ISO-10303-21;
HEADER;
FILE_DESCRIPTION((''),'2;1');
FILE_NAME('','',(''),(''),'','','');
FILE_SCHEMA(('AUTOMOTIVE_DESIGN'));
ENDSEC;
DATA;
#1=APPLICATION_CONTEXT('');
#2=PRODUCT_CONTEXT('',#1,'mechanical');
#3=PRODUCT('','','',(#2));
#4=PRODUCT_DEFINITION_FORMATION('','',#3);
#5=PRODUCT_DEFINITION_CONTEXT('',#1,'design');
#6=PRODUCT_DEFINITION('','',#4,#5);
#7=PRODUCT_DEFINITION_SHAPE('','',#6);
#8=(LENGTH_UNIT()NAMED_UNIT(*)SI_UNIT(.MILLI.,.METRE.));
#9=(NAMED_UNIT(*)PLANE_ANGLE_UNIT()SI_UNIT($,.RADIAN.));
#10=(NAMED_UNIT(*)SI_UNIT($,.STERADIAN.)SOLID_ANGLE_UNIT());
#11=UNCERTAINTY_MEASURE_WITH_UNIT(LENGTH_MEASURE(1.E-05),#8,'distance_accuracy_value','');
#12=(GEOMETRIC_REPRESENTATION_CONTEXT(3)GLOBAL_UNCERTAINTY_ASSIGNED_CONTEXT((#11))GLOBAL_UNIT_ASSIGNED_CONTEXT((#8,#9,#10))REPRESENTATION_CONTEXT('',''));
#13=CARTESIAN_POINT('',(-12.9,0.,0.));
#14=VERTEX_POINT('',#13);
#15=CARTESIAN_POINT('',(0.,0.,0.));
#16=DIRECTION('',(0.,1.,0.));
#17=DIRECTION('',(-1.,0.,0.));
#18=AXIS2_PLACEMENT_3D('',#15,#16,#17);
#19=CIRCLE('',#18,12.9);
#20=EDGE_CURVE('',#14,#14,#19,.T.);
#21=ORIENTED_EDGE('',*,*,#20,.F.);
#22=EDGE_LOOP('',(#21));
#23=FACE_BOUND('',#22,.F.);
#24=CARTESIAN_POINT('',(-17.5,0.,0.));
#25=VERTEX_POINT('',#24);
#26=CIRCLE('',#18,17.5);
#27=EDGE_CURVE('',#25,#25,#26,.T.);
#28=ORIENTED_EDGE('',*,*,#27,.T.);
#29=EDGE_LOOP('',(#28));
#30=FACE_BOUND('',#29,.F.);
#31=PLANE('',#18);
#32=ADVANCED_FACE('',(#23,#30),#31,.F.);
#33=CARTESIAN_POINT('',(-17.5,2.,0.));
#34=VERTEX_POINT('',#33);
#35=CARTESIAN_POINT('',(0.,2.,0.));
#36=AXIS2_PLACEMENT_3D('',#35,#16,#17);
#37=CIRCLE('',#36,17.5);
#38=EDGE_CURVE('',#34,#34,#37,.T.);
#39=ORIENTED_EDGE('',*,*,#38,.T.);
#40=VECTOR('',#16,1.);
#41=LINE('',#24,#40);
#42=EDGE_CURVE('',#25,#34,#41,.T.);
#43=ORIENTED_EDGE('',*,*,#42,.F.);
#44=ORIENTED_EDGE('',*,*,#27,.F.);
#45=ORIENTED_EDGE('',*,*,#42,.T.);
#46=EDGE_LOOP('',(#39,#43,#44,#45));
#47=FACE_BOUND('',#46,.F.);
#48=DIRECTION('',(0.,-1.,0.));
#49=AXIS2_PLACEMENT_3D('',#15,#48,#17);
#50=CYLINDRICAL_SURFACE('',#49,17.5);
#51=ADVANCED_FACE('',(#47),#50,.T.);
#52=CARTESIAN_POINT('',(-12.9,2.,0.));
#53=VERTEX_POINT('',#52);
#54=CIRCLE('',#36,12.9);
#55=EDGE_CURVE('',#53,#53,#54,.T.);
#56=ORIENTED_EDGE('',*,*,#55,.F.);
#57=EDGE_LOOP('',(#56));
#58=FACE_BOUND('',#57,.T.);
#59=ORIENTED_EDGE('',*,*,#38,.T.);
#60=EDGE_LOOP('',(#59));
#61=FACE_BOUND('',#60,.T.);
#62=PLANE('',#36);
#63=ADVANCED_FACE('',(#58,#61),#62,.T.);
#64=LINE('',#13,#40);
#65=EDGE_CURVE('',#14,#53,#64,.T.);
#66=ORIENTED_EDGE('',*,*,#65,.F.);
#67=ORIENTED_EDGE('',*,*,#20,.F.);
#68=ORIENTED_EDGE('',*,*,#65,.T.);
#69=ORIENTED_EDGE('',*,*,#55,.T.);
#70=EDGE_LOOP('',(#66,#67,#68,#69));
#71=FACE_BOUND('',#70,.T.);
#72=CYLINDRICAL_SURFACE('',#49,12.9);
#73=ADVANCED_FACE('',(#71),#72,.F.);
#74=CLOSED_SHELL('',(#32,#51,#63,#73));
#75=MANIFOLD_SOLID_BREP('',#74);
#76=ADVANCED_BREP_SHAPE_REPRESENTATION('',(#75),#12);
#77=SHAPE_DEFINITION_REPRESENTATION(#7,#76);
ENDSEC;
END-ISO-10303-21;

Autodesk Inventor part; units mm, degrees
ref_plane "YZ Plane" through (0, 0, 0) normal (1, 0, 0) x (0, 1, 0)
ref_plane "XZ Plane" through (0, 0, 0) normal (0, 1, 0) x (-1, 0, 0)
ref_plane "XY Plane" through (0, 0, 0) normal (0, 0, 1) x (1, 0, 0)
sketch "Skizze1" plane through (0, 0, 0) normal (0, 1, 0) x (-1, 0, 0)
  circle A0 centre (0, 0) radius 12.9
  circle A1 centre (0, 0) radius 17.5
  dimension "d0" = 25.8
  dimension "d1" = 35
extrude "Extrusion1" add sketch "Skizze1" along normal blind 2
properties part number "00_CMountSpacer_CCTVLens_Daheng"
